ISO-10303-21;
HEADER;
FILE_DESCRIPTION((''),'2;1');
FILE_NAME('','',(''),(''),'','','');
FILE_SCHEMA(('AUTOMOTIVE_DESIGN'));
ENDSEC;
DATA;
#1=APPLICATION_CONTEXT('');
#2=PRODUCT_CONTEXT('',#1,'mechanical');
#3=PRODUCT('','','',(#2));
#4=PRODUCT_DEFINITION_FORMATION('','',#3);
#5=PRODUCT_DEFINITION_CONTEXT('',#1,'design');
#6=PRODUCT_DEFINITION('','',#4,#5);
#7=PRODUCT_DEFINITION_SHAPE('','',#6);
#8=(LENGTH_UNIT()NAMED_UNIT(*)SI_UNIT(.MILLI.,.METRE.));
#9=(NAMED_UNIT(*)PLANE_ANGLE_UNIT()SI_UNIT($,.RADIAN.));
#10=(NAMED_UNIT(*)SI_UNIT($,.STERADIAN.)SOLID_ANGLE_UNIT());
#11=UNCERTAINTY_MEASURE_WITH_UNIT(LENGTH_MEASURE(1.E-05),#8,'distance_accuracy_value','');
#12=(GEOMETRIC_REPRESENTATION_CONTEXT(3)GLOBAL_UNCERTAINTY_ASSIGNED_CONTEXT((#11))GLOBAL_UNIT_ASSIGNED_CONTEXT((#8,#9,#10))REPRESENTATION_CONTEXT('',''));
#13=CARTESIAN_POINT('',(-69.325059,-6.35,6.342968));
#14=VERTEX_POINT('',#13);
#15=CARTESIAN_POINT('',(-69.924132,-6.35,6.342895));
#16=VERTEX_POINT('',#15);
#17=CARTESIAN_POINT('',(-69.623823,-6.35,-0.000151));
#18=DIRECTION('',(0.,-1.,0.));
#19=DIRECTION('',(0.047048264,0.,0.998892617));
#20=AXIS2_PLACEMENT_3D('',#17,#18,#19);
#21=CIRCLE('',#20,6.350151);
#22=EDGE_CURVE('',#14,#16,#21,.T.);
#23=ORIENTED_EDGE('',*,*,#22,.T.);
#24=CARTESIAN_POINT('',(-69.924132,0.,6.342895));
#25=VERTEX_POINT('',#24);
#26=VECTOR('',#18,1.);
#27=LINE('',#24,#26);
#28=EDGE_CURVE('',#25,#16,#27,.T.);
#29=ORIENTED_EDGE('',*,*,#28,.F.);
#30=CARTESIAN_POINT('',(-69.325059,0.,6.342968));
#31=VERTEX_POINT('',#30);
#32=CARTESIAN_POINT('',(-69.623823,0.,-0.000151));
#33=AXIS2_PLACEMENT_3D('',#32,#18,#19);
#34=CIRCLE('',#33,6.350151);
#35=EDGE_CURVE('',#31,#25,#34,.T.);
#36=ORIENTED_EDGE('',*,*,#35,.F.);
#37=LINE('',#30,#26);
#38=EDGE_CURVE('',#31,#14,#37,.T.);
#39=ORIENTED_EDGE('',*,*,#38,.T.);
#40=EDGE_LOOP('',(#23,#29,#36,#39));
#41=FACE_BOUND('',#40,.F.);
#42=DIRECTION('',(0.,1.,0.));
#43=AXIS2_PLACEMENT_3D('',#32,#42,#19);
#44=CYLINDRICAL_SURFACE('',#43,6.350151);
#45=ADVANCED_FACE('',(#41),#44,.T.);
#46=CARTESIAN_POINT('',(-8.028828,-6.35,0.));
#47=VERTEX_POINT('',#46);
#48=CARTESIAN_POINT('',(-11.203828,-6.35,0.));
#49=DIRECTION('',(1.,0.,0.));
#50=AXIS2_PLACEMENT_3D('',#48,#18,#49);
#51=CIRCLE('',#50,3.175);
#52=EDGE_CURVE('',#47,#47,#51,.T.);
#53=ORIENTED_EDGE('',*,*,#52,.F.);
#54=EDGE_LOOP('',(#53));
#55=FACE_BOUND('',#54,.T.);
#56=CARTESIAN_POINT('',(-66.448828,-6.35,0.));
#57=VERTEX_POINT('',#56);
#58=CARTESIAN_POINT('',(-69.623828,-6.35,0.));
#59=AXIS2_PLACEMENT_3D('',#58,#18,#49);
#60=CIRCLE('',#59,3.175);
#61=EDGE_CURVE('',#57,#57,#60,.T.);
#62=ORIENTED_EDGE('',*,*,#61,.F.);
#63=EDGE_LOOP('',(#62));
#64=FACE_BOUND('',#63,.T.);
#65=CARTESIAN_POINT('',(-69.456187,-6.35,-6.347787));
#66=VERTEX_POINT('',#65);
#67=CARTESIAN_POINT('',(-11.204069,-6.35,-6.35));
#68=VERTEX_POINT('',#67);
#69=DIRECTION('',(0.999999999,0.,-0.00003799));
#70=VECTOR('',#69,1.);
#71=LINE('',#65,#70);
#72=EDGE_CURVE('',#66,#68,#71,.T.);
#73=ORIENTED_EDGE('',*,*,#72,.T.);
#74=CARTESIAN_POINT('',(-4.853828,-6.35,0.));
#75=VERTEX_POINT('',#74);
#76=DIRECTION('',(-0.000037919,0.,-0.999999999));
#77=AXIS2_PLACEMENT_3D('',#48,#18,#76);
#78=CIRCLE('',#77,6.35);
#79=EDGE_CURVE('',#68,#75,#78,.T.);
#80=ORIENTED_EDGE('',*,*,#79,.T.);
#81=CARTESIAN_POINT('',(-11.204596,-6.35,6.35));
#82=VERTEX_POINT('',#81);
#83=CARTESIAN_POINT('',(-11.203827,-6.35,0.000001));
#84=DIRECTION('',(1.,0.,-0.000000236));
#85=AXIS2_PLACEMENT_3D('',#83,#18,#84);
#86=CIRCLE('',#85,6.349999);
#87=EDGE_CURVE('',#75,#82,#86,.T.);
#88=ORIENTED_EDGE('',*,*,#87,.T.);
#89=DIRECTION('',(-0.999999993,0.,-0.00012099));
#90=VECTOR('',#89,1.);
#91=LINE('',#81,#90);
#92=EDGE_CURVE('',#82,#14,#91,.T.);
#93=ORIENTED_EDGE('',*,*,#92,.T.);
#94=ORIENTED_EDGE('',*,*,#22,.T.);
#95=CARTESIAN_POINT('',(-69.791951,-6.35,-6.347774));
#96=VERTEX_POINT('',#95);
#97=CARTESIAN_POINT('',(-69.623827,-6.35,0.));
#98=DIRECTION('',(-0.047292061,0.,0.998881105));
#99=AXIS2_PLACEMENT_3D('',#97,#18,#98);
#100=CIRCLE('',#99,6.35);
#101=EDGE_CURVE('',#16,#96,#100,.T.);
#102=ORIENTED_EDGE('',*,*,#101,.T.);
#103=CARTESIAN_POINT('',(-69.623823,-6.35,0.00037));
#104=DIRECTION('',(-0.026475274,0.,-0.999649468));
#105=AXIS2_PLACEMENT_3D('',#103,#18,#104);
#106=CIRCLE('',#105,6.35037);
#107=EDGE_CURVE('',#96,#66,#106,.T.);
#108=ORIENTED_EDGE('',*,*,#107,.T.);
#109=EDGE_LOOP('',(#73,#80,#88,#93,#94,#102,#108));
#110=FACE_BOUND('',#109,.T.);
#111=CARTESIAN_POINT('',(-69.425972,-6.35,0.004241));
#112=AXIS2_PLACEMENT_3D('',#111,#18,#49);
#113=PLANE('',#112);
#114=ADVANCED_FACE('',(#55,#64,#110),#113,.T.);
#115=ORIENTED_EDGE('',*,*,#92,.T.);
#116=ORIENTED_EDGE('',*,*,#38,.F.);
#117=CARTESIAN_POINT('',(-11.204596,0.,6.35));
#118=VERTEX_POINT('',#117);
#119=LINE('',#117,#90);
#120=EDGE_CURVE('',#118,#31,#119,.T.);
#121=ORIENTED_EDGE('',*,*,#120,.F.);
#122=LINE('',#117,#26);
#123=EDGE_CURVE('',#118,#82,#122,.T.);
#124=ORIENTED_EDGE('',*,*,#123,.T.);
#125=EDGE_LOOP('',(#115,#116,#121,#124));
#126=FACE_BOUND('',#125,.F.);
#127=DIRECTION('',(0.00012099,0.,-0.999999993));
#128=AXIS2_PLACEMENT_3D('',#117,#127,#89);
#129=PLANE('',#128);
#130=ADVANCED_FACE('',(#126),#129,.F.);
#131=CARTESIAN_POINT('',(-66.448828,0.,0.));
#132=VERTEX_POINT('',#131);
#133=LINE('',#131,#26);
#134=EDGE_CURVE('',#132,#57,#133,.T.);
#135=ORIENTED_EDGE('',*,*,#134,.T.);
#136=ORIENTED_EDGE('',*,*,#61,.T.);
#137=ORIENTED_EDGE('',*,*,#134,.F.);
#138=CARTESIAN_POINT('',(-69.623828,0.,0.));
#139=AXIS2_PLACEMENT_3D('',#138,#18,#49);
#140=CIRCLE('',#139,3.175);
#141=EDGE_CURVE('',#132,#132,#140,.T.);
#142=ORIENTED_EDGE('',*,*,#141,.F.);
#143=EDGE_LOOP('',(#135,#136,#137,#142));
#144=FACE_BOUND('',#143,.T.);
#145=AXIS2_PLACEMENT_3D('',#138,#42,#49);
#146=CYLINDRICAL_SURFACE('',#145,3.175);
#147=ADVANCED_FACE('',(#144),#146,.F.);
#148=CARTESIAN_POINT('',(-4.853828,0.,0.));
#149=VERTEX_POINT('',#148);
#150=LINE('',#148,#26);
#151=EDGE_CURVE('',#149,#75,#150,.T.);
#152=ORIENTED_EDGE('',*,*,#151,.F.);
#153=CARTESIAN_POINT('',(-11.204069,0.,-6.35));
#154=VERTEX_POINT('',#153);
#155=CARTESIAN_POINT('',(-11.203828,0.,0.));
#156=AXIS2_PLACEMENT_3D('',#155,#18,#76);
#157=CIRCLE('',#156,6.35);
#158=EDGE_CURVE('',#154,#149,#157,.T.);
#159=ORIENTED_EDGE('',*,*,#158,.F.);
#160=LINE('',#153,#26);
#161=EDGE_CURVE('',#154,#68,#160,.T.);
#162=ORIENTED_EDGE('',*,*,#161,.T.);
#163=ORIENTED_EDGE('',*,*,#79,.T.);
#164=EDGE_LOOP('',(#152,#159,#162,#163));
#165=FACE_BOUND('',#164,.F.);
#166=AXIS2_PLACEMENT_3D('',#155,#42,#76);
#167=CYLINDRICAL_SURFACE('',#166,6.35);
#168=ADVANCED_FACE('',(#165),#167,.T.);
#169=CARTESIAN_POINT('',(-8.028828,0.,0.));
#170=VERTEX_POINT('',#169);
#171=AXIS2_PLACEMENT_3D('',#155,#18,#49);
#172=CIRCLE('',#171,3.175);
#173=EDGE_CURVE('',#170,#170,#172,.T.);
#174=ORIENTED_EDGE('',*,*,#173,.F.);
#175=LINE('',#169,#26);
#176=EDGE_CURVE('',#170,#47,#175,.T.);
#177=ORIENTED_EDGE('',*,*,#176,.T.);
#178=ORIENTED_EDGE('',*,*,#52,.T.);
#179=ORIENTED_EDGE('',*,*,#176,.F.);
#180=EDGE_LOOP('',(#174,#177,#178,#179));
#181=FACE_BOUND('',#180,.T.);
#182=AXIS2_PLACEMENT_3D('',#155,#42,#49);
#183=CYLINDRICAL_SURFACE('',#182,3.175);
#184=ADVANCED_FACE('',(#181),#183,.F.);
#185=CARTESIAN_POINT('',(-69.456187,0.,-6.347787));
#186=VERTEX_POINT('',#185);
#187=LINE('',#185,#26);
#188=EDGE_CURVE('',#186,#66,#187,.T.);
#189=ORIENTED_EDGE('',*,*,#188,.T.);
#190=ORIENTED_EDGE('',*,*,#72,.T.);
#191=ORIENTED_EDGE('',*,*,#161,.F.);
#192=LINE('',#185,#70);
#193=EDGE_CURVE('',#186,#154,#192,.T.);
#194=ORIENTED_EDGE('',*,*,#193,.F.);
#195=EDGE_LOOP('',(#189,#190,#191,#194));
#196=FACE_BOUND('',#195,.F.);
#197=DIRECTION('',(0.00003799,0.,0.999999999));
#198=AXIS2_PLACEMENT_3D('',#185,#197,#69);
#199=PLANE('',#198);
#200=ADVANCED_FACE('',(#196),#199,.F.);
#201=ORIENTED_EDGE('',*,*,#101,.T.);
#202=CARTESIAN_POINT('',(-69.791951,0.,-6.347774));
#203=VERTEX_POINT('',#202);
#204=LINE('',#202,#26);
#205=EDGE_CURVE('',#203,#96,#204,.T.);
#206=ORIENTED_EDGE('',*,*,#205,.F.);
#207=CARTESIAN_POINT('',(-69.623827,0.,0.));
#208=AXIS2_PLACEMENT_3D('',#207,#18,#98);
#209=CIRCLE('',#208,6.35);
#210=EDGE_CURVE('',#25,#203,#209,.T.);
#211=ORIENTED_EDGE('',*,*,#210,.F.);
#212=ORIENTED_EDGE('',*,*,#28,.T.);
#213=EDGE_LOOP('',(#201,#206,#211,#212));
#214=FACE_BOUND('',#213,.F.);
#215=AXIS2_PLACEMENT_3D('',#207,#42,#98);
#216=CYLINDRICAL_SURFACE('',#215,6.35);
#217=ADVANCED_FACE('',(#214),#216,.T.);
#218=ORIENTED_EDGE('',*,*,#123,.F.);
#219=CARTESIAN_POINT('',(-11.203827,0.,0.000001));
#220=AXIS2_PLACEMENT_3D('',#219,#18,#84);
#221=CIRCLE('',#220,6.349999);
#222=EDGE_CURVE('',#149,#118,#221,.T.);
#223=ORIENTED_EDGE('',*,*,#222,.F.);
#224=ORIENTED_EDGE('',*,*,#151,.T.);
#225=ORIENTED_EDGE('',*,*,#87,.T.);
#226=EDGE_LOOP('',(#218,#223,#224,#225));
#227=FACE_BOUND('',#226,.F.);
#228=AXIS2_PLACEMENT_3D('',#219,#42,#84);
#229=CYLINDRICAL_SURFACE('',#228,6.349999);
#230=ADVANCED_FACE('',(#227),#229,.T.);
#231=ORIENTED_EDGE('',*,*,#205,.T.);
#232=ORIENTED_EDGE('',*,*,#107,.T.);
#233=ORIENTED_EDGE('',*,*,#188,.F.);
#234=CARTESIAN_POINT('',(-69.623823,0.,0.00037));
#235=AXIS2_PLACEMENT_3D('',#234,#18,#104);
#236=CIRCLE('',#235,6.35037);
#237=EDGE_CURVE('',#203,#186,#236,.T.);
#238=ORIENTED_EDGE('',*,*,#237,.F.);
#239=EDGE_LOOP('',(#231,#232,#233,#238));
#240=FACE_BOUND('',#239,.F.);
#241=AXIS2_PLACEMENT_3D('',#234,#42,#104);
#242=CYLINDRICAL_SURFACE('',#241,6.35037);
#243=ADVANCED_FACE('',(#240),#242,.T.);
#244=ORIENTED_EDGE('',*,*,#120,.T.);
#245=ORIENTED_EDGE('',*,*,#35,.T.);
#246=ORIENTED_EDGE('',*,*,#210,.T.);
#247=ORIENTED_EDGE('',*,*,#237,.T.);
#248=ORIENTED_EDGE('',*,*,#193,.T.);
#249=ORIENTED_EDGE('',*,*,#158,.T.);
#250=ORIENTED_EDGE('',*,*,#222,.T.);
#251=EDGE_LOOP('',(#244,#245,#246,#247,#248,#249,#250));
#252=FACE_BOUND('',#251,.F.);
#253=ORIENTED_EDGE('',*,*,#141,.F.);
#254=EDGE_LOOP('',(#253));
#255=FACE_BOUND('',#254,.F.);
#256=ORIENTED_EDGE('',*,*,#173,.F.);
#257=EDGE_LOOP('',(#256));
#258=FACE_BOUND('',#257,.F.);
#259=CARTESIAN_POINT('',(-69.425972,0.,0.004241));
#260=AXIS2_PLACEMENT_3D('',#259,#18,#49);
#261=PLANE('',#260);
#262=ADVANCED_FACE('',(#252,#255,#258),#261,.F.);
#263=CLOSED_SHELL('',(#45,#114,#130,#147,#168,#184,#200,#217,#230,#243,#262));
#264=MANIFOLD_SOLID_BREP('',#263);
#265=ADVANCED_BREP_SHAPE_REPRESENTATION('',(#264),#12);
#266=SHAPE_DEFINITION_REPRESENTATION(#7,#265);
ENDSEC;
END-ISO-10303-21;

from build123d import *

# Parameters (mm, degrees)
F0_R     = 3.175
F1_DEPTH = 6.35


with BuildPart() as f1:
    # F0 (on Front) → F1 (new body)
    with BuildSketch(Plane.XZ):
        with BuildLine():
            Line((-69.325059, 6.342968), (-69.924132, 6.342895))
            ThreePointArc((-69.924132, 6.342895), (-75.973483, -0.066136), (-69.791951, -6.347774))
            Line((-69.791951, -6.347774), (-69.456187, -6.347787))
            ThreePointArc((-69.456187, -6.347787), (-65.074816, -4.430462), (-63.273828, 0))
            ThreePointArc((-63.273828, 0), (-65.029283, 4.383225), (-69.325059, 6.342968))
        make_face()
        with Locations((-69.623828, 0)):
            Circle(F0_R, mode=Mode.SUBTRACT)
        with BuildLine():
            ThreePointArc((-69.325059, 6.342968), (-69.624596, 6.35), (-69.924132, 6.342895))
            Line((-69.924132, 6.342895), (-69.325059, 6.342968))
        make_face()
        with BuildLine():
            Line((-69.456187, -6.347787), (-69.791951, -6.347774))
            ThreePointArc((-69.791951, -6.347774), (-69.624069, -6.35), (-69.456187, -6.347787))
        make_face()
        with BuildLine():
            Line((-11.204596, 6.35), (-69.325059, 6.342968))
            ThreePointArc((-69.325059, 6.342968), (-65.029283, 4.383225), (-63.273828, 0))
            ThreePointArc((-63.273828, 0), (-65.074816, -4.430462), (-69.456187, -6.347787))
            Line((-69.456187, -6.347787), (-11.204069, -6.35))
            ThreePointArc((-11.204069, -6.35), (-17.553828, -0.000264), (-11.204596, 6.35))
        make_face()
        with BuildLine():
            ThreePointArc((-4.853828, 0), (-6.713971, 4.4904), (-11.204596, 6.35))
            ThreePointArc((-11.204596, 6.35), (-17.553828, -0.000264), (-11.204069, -6.35))
            ThreePointArc((-11.204069, -6.35), (-6.713785, -4.490213), (-4.853828, 0))
        make_face()
        with Locations((-11.203828, 0)):
            Circle(F0_R, mode=Mode.SUBTRACT)
    extrude(amount=F1_DEPTH)


solid = f1.part
